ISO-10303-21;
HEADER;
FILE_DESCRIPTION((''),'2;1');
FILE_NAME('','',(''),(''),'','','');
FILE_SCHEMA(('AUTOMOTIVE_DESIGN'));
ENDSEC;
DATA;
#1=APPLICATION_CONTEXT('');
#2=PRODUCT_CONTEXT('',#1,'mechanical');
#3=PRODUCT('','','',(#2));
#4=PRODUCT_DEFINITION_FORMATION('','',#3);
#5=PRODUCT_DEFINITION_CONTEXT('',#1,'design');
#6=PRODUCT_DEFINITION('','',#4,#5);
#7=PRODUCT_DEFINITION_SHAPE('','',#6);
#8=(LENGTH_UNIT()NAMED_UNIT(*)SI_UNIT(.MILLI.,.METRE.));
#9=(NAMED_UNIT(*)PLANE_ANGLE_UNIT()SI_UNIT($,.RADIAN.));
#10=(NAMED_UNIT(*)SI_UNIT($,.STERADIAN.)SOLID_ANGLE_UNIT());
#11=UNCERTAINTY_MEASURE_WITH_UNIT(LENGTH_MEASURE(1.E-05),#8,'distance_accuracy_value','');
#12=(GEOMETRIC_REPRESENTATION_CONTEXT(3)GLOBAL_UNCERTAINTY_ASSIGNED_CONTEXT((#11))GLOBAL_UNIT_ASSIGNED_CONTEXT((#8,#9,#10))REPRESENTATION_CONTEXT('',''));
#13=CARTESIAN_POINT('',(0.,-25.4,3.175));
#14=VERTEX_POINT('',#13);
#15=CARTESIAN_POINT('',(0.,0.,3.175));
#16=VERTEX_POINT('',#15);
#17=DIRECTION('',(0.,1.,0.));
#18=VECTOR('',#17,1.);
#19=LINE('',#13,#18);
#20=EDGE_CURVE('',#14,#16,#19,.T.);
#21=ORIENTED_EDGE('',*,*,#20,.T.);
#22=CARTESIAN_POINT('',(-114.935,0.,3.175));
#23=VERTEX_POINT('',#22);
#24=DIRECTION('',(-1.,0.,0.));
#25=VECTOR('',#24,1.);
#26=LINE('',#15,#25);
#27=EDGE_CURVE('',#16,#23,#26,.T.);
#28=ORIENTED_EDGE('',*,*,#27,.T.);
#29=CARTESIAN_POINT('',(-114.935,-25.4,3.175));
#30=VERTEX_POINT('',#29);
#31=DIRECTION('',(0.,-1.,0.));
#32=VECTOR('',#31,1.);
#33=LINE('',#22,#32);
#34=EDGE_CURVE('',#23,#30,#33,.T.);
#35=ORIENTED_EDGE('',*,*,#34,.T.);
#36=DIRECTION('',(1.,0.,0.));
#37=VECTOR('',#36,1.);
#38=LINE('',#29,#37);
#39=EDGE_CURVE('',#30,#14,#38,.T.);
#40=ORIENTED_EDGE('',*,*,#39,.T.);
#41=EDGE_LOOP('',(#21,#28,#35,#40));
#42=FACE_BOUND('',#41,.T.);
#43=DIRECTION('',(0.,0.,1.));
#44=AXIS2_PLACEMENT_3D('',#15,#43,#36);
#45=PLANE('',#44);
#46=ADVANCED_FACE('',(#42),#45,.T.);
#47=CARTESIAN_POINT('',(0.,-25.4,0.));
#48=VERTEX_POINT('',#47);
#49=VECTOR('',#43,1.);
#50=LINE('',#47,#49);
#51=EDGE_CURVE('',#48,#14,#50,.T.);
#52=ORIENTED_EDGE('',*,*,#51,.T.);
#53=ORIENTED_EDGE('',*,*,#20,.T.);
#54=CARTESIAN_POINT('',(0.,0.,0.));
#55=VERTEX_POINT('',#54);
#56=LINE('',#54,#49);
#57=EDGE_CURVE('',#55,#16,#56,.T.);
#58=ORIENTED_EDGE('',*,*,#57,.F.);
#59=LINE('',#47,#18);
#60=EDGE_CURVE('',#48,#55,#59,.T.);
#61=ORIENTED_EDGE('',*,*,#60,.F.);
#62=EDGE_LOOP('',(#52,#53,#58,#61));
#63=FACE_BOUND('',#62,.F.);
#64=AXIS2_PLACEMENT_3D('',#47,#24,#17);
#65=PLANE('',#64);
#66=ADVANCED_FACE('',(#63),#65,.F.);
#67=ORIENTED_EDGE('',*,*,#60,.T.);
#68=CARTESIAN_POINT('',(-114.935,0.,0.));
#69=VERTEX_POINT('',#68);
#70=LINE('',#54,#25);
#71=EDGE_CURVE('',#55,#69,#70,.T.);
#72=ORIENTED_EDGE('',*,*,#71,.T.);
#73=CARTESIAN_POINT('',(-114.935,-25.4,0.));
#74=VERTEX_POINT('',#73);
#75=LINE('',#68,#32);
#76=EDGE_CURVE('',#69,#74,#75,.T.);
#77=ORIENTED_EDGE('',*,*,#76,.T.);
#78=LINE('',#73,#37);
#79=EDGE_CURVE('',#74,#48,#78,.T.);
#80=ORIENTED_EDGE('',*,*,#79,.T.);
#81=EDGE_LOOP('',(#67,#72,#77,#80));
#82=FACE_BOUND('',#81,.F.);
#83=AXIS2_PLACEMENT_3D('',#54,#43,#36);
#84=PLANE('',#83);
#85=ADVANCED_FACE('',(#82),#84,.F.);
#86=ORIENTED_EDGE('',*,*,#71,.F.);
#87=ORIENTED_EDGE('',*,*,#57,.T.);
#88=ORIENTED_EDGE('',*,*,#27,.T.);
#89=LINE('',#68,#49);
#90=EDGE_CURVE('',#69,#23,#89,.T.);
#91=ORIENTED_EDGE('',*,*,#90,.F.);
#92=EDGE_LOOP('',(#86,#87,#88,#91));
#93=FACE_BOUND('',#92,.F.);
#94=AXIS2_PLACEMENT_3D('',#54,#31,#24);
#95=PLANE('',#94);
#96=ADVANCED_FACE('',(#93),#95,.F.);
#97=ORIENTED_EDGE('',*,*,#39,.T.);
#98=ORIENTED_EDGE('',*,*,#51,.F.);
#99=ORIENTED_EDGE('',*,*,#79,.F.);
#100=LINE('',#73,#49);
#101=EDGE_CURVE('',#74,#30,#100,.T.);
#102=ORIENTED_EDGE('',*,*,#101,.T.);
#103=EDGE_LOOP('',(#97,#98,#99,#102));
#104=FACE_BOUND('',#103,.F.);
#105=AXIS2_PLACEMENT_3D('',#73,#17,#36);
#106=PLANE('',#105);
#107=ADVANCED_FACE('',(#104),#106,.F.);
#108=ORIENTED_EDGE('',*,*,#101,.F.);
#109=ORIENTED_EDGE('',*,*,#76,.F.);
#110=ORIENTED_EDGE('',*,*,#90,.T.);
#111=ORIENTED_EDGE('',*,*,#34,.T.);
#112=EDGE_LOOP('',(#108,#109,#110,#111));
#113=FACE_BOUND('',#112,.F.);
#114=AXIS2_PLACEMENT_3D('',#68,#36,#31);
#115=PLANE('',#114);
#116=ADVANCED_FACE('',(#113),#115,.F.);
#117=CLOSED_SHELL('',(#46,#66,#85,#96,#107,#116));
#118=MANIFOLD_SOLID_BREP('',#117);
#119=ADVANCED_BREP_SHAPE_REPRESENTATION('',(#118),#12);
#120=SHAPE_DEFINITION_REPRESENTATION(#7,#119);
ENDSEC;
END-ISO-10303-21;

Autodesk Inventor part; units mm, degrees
ref_plane "YZ Plane" through (0, 0, 0) normal (1, 0, 0) x (0, 1, 0)
ref_plane "XZ Plane" through (0, 0, 0) normal (0, 1, 0) x (-1, 0, 0)
ref_plane "XY Plane" through (0, 0, 0) normal (0, 0, 1) x (1, 0, 0)
sketch "Sketch1" plane through (0, 0, 0) normal (0, 0, 1) x (1, 0, 0)
  line L0 (0, 0) -> (-114.935, 0)
  line L1 (-114.935, 0) -> (-114.935, -25.4)
  line L2 (-114.935, -25.4) -> (0, -25.4)
  line L3 (0, -25.4) -> (0, 0)
  dimension "d0" = 25.4
  dimension "d1" = 114.935
extrude "Extrusion1" add sketch "Sketch1" along normal blind 3.175
properties part number "supportbeam1"
